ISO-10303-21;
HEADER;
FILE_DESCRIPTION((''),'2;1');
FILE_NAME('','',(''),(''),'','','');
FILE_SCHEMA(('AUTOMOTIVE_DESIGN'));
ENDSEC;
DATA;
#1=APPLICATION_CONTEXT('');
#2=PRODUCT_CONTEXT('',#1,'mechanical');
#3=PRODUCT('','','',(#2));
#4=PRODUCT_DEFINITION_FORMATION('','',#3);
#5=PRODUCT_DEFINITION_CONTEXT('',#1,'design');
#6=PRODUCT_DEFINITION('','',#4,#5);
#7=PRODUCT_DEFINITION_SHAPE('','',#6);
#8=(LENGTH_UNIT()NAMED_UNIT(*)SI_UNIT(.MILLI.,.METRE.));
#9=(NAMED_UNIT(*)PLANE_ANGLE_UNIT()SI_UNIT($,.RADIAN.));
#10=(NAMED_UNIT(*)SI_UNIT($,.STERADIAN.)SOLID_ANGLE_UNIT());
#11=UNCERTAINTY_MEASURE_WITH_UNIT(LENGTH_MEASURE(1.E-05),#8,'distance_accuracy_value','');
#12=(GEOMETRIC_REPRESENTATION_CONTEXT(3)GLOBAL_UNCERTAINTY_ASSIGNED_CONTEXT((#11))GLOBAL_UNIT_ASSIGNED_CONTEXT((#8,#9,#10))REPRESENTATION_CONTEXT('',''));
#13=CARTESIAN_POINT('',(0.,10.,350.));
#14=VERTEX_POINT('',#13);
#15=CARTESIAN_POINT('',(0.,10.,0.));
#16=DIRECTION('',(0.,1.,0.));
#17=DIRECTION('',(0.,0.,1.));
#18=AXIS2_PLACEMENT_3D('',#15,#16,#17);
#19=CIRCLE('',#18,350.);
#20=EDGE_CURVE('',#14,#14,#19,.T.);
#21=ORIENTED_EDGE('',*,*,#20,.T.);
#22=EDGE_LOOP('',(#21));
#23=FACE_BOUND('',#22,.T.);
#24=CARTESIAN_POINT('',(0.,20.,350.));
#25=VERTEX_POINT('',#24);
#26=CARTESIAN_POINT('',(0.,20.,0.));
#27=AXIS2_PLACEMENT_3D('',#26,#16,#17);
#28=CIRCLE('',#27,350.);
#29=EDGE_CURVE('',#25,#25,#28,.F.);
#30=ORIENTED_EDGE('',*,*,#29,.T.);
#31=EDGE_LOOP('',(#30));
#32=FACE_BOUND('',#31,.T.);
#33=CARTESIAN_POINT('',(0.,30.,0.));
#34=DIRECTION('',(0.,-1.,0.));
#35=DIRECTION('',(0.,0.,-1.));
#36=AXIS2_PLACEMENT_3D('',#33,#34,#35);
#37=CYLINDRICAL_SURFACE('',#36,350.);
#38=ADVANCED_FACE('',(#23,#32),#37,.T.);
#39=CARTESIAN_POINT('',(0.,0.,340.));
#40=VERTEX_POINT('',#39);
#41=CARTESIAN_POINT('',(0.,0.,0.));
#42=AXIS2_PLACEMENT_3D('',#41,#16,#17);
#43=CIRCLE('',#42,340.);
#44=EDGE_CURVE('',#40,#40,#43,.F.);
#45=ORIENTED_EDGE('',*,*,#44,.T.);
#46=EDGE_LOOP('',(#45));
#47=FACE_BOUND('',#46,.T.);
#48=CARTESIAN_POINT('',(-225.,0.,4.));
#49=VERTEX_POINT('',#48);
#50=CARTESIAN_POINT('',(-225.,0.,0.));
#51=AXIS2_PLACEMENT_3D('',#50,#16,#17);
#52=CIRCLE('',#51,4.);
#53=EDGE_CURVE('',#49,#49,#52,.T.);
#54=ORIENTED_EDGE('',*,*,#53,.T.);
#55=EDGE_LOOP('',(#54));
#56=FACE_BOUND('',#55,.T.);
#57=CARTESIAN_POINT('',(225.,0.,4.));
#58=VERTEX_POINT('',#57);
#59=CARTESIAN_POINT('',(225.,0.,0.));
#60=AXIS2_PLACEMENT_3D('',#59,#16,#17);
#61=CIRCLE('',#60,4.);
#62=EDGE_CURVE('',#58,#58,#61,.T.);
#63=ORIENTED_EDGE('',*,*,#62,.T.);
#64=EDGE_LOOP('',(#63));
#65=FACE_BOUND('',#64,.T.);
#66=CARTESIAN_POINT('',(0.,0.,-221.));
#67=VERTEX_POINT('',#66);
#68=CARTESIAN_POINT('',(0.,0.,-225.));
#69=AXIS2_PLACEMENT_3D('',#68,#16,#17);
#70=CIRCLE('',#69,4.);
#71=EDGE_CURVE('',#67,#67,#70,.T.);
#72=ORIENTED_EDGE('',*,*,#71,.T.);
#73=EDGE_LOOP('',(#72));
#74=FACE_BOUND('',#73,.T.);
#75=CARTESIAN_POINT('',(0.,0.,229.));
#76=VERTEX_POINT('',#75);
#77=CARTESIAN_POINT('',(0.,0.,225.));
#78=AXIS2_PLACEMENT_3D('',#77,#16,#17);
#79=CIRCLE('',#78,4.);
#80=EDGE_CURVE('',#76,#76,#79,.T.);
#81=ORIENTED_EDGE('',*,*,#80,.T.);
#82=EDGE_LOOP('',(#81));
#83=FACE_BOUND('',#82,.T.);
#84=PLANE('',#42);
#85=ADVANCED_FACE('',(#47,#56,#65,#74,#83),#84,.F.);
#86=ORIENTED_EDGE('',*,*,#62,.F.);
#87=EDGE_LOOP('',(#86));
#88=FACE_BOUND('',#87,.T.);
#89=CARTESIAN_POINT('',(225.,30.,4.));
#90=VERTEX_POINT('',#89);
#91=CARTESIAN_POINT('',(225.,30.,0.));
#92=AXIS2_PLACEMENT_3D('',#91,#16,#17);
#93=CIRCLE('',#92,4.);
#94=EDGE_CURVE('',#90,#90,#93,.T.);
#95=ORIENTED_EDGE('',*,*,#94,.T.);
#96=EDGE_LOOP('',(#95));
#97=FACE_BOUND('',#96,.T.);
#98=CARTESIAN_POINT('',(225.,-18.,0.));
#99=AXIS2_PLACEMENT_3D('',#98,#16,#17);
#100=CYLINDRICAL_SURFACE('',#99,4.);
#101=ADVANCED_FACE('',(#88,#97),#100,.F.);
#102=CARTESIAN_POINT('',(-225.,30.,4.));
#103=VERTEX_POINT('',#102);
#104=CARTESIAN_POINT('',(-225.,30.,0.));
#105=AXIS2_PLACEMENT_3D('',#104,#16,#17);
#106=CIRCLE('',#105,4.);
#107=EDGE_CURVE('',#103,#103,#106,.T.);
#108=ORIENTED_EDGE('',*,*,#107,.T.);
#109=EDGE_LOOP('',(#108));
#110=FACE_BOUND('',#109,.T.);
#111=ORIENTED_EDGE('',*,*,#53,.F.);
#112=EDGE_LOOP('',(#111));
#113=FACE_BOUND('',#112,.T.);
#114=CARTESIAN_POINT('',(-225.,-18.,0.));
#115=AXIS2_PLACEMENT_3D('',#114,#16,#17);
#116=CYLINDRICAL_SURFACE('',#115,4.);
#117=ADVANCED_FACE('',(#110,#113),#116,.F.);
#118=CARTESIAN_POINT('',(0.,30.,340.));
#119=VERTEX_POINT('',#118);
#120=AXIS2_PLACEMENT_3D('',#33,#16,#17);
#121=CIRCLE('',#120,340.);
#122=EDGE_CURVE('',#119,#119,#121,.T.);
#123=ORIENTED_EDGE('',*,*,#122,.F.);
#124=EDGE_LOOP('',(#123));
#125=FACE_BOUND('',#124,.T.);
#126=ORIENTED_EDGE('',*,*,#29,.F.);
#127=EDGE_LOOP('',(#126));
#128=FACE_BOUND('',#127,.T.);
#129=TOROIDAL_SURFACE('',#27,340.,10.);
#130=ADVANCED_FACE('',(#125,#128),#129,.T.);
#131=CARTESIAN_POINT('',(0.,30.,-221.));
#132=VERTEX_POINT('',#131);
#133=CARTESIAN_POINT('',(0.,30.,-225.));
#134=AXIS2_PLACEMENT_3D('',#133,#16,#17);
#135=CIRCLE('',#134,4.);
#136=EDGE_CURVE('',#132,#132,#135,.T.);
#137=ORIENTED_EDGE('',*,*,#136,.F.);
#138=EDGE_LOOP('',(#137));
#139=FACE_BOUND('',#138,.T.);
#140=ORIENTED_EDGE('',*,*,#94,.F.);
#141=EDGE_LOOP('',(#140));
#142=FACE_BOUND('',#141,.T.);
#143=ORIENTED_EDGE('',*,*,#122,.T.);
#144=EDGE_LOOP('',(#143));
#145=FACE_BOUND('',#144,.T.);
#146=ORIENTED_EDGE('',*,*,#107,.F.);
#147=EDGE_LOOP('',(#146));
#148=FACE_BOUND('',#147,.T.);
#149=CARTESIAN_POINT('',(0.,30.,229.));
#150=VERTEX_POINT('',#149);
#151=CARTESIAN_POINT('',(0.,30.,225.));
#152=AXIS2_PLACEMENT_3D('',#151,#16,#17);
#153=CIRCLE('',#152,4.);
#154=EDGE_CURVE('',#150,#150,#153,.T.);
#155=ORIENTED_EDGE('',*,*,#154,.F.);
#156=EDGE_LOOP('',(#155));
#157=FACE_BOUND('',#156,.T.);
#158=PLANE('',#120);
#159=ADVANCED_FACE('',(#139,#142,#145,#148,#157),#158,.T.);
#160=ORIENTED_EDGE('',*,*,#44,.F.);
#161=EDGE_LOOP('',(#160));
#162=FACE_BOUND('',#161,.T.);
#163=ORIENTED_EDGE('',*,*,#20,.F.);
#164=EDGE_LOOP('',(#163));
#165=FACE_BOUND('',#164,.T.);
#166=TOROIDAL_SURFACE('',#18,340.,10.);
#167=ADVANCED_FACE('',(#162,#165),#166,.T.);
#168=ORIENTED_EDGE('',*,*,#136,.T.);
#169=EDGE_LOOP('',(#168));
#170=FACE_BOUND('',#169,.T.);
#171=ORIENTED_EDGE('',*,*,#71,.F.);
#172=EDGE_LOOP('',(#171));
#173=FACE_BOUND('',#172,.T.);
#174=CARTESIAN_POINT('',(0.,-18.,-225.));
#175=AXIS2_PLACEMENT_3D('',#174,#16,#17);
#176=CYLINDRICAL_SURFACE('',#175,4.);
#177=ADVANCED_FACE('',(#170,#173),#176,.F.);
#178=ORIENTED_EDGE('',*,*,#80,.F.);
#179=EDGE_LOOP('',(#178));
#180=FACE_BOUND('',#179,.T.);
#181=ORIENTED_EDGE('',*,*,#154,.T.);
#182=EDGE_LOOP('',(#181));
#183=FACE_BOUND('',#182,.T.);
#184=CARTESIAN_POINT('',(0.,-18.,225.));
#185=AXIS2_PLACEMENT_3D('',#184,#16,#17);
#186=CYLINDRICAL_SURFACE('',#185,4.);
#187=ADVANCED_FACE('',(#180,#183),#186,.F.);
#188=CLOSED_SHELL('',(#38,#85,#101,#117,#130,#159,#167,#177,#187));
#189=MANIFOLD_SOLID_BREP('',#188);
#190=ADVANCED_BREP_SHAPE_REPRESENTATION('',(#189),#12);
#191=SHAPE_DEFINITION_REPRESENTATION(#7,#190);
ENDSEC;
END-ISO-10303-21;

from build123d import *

# Parameters (mm, degrees)
SKETCH1_R           = 350
BOSS_EXTRUDE1_DEPTH = 30
FILLET1_R           = 10
SKETCH2_R           = 4
CUT_EXTRUDE1_DEPTH  = 48


with BuildPart() as part:
    # Sketch1 → Boss-Extrude1 (new body)
    with BuildSketch(Plane(origin=(0, 0, 0), x_dir=(1, 0, 0), z_dir=(0, 1, 0))):
        with Locations(Location((0, 0, 0), (0, 0, 270))):
            Circle(SKETCH1_R)
    extrude(amount=BOSS_EXTRUDE1_DEPTH)

    # Fillet1
    fillet1_edges = [part.edges().sort_by_distance(p)[0] for p in [
        (0, 0, -350),
        (0, 30, -350),
    ]]
    fillet(fillet1_edges, radius=FILLET1_R)

    # Sketch2 → Cut-Extrude1 (cut, symmetric)
    with BuildSketch(Plane(origin=(0, 30, 0), x_dir=(1, 0, 0), z_dir=(0, 1, 0))):
        with Locations(Location((0, 225, 0), (0, 0, 270))):
            Circle(SKETCH2_R)
        with Locations(Location((225, 0, 0), (0, 0, 270))):
            Circle(SKETCH2_R)
        with Locations(Location((0, -225, 0), (0, 0, 270))):
            Circle(SKETCH2_R)
        with Locations(Location((-225, 0, 0), (0, 0, 270))):
            Circle(SKETCH2_R)
    extrude(amount=CUT_EXTRUDE1_DEPTH, both=True, mode=Mode.SUBTRACT)


solid = part.part
